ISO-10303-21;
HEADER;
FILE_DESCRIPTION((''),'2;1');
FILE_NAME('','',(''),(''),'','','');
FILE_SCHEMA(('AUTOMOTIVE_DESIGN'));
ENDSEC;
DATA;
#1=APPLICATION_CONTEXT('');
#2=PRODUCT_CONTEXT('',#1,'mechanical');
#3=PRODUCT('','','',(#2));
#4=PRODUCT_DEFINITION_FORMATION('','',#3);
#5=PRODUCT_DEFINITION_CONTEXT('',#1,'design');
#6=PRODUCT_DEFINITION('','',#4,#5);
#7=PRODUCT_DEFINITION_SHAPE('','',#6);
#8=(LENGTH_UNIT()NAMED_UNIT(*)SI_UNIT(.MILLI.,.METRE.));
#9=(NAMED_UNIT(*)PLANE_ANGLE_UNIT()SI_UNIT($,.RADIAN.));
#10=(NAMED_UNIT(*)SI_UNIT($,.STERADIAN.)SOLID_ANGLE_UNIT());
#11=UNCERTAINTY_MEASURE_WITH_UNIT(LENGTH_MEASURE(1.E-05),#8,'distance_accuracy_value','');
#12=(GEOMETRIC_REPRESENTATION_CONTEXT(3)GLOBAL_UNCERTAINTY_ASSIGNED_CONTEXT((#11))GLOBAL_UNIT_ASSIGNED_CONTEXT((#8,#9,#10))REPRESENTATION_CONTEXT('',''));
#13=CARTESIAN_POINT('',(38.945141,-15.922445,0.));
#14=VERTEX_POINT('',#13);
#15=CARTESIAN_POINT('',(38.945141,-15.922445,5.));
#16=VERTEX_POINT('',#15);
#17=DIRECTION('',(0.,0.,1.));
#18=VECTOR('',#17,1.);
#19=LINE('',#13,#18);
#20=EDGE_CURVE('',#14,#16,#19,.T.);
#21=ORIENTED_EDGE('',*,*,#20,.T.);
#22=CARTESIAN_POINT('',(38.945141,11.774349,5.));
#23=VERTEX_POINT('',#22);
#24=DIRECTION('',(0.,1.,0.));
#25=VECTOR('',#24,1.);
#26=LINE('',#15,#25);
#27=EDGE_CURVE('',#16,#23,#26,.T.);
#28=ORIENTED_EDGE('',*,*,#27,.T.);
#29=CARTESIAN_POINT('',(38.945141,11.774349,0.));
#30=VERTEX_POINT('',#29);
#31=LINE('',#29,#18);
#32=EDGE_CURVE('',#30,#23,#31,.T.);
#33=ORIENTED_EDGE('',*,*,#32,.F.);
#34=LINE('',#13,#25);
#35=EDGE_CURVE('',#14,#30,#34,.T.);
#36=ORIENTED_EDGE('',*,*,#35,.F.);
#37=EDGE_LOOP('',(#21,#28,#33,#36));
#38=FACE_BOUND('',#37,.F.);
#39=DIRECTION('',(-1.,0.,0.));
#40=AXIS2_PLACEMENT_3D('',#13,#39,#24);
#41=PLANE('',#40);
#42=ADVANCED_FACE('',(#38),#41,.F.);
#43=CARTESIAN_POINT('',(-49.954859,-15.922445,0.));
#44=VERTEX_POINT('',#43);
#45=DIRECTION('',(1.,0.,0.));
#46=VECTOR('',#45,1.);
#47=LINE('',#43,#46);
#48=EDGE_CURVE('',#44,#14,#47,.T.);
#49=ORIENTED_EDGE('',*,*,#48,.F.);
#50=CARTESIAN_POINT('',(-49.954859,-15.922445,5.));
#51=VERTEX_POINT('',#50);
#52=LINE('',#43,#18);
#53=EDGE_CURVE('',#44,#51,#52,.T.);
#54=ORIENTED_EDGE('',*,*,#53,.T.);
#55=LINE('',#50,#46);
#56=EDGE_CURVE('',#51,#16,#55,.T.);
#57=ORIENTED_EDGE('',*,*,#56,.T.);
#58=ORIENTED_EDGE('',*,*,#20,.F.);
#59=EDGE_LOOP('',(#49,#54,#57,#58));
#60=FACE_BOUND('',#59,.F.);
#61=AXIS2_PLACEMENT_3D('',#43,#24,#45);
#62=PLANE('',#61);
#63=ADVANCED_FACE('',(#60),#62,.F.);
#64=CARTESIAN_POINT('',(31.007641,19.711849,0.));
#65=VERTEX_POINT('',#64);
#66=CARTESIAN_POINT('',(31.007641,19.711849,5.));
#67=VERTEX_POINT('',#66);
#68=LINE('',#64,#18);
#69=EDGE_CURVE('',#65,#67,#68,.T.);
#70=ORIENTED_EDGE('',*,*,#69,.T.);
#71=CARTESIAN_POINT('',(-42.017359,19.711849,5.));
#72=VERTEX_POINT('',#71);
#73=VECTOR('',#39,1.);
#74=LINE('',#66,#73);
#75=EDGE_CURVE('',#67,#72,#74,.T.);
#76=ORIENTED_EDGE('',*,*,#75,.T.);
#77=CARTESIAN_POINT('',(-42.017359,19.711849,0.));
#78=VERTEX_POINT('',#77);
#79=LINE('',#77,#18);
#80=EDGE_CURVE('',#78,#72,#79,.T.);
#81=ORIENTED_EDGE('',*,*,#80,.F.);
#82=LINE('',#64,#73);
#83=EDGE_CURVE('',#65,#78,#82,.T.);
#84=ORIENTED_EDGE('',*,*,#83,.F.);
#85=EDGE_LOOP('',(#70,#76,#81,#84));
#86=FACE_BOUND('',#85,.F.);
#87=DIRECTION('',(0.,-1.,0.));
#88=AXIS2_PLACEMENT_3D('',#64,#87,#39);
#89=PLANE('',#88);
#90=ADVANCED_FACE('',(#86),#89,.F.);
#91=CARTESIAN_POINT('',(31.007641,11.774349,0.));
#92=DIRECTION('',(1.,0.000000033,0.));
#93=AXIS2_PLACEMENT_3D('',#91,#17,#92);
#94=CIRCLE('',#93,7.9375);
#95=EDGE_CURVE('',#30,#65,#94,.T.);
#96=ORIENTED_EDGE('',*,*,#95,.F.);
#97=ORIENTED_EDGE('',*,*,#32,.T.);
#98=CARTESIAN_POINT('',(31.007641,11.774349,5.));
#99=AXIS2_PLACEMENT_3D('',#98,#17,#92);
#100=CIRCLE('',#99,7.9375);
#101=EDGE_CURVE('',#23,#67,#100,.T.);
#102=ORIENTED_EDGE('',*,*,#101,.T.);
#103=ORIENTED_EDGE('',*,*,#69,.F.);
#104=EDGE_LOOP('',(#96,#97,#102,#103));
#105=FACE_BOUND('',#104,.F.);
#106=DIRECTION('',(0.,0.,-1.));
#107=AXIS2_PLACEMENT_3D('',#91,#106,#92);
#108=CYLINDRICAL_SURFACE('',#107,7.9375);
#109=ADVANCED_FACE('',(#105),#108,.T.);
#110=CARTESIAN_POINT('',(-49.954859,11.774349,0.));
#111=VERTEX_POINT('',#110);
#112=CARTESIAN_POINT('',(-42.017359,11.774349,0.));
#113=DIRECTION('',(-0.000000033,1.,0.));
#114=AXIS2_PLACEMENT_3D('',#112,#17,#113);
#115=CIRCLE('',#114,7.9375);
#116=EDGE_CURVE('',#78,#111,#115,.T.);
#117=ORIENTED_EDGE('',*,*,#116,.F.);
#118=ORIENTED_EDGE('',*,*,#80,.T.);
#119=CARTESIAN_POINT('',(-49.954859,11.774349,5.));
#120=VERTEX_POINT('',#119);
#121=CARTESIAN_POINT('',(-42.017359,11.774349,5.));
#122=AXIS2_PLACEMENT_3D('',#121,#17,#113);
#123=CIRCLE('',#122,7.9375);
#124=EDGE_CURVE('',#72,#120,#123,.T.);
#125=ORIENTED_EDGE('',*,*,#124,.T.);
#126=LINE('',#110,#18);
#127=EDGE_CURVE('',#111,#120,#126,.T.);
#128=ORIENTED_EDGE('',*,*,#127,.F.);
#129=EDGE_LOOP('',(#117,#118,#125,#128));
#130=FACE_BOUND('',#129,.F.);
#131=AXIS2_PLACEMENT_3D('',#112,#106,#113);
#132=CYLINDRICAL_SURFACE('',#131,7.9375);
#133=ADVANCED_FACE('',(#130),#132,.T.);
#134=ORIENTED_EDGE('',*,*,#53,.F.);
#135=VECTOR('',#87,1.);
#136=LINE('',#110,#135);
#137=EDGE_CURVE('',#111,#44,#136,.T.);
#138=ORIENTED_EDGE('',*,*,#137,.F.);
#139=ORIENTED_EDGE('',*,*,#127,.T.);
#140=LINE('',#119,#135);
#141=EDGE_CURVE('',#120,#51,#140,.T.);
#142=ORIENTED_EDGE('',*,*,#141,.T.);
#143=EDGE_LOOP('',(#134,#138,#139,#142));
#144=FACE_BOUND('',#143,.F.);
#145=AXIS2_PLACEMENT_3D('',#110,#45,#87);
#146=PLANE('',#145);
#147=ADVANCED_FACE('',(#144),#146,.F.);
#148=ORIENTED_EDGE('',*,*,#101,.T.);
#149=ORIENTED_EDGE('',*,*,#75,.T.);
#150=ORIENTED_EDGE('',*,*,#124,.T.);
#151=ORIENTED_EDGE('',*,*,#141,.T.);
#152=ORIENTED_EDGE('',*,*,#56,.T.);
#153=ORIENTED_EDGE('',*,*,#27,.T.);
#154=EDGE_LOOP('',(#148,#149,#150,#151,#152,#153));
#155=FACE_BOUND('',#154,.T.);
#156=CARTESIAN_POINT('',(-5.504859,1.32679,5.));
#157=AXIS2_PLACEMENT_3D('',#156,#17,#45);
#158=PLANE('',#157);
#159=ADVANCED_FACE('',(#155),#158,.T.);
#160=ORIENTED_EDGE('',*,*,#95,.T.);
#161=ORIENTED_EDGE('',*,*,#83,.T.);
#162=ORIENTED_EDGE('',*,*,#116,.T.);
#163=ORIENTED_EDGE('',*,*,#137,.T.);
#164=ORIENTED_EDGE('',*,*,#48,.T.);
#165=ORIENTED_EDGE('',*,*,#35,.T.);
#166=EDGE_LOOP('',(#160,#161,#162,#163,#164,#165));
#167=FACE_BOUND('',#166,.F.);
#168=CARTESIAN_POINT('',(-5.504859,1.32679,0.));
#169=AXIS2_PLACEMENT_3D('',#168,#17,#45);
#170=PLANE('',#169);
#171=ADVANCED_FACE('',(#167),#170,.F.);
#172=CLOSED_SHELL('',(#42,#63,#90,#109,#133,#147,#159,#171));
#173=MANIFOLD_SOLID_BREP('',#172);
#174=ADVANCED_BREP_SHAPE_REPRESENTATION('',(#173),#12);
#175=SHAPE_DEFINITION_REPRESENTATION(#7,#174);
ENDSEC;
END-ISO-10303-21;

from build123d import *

# Parameters (mm, degrees)
PAD_DEPTH = 5


with BuildPart() as part:
    # Sketch001 → Pad (new body)
    with BuildSketch(Plane.XY):
        with BuildLine():
            Line((-49.954859, 11.774349), (-49.954859, -15.922445))
            Line((-49.954859, -15.922445), (38.945141, -15.922445))
            Line((38.945141, -15.922445), (38.945141, 11.774349))
            ThreePointArc((38.945141, 11.774349), (36.620301, 17.387009), (31.007641, 19.711849))
            Line((31.007641, 19.711849), (-42.017359, 19.711849))
            ThreePointArc((-42.017359, 19.711849), (-47.630019, 17.387009), (-49.954859, 11.774349))
        make_face()
    extrude(amount=PAD_DEPTH)


solid = part.part
